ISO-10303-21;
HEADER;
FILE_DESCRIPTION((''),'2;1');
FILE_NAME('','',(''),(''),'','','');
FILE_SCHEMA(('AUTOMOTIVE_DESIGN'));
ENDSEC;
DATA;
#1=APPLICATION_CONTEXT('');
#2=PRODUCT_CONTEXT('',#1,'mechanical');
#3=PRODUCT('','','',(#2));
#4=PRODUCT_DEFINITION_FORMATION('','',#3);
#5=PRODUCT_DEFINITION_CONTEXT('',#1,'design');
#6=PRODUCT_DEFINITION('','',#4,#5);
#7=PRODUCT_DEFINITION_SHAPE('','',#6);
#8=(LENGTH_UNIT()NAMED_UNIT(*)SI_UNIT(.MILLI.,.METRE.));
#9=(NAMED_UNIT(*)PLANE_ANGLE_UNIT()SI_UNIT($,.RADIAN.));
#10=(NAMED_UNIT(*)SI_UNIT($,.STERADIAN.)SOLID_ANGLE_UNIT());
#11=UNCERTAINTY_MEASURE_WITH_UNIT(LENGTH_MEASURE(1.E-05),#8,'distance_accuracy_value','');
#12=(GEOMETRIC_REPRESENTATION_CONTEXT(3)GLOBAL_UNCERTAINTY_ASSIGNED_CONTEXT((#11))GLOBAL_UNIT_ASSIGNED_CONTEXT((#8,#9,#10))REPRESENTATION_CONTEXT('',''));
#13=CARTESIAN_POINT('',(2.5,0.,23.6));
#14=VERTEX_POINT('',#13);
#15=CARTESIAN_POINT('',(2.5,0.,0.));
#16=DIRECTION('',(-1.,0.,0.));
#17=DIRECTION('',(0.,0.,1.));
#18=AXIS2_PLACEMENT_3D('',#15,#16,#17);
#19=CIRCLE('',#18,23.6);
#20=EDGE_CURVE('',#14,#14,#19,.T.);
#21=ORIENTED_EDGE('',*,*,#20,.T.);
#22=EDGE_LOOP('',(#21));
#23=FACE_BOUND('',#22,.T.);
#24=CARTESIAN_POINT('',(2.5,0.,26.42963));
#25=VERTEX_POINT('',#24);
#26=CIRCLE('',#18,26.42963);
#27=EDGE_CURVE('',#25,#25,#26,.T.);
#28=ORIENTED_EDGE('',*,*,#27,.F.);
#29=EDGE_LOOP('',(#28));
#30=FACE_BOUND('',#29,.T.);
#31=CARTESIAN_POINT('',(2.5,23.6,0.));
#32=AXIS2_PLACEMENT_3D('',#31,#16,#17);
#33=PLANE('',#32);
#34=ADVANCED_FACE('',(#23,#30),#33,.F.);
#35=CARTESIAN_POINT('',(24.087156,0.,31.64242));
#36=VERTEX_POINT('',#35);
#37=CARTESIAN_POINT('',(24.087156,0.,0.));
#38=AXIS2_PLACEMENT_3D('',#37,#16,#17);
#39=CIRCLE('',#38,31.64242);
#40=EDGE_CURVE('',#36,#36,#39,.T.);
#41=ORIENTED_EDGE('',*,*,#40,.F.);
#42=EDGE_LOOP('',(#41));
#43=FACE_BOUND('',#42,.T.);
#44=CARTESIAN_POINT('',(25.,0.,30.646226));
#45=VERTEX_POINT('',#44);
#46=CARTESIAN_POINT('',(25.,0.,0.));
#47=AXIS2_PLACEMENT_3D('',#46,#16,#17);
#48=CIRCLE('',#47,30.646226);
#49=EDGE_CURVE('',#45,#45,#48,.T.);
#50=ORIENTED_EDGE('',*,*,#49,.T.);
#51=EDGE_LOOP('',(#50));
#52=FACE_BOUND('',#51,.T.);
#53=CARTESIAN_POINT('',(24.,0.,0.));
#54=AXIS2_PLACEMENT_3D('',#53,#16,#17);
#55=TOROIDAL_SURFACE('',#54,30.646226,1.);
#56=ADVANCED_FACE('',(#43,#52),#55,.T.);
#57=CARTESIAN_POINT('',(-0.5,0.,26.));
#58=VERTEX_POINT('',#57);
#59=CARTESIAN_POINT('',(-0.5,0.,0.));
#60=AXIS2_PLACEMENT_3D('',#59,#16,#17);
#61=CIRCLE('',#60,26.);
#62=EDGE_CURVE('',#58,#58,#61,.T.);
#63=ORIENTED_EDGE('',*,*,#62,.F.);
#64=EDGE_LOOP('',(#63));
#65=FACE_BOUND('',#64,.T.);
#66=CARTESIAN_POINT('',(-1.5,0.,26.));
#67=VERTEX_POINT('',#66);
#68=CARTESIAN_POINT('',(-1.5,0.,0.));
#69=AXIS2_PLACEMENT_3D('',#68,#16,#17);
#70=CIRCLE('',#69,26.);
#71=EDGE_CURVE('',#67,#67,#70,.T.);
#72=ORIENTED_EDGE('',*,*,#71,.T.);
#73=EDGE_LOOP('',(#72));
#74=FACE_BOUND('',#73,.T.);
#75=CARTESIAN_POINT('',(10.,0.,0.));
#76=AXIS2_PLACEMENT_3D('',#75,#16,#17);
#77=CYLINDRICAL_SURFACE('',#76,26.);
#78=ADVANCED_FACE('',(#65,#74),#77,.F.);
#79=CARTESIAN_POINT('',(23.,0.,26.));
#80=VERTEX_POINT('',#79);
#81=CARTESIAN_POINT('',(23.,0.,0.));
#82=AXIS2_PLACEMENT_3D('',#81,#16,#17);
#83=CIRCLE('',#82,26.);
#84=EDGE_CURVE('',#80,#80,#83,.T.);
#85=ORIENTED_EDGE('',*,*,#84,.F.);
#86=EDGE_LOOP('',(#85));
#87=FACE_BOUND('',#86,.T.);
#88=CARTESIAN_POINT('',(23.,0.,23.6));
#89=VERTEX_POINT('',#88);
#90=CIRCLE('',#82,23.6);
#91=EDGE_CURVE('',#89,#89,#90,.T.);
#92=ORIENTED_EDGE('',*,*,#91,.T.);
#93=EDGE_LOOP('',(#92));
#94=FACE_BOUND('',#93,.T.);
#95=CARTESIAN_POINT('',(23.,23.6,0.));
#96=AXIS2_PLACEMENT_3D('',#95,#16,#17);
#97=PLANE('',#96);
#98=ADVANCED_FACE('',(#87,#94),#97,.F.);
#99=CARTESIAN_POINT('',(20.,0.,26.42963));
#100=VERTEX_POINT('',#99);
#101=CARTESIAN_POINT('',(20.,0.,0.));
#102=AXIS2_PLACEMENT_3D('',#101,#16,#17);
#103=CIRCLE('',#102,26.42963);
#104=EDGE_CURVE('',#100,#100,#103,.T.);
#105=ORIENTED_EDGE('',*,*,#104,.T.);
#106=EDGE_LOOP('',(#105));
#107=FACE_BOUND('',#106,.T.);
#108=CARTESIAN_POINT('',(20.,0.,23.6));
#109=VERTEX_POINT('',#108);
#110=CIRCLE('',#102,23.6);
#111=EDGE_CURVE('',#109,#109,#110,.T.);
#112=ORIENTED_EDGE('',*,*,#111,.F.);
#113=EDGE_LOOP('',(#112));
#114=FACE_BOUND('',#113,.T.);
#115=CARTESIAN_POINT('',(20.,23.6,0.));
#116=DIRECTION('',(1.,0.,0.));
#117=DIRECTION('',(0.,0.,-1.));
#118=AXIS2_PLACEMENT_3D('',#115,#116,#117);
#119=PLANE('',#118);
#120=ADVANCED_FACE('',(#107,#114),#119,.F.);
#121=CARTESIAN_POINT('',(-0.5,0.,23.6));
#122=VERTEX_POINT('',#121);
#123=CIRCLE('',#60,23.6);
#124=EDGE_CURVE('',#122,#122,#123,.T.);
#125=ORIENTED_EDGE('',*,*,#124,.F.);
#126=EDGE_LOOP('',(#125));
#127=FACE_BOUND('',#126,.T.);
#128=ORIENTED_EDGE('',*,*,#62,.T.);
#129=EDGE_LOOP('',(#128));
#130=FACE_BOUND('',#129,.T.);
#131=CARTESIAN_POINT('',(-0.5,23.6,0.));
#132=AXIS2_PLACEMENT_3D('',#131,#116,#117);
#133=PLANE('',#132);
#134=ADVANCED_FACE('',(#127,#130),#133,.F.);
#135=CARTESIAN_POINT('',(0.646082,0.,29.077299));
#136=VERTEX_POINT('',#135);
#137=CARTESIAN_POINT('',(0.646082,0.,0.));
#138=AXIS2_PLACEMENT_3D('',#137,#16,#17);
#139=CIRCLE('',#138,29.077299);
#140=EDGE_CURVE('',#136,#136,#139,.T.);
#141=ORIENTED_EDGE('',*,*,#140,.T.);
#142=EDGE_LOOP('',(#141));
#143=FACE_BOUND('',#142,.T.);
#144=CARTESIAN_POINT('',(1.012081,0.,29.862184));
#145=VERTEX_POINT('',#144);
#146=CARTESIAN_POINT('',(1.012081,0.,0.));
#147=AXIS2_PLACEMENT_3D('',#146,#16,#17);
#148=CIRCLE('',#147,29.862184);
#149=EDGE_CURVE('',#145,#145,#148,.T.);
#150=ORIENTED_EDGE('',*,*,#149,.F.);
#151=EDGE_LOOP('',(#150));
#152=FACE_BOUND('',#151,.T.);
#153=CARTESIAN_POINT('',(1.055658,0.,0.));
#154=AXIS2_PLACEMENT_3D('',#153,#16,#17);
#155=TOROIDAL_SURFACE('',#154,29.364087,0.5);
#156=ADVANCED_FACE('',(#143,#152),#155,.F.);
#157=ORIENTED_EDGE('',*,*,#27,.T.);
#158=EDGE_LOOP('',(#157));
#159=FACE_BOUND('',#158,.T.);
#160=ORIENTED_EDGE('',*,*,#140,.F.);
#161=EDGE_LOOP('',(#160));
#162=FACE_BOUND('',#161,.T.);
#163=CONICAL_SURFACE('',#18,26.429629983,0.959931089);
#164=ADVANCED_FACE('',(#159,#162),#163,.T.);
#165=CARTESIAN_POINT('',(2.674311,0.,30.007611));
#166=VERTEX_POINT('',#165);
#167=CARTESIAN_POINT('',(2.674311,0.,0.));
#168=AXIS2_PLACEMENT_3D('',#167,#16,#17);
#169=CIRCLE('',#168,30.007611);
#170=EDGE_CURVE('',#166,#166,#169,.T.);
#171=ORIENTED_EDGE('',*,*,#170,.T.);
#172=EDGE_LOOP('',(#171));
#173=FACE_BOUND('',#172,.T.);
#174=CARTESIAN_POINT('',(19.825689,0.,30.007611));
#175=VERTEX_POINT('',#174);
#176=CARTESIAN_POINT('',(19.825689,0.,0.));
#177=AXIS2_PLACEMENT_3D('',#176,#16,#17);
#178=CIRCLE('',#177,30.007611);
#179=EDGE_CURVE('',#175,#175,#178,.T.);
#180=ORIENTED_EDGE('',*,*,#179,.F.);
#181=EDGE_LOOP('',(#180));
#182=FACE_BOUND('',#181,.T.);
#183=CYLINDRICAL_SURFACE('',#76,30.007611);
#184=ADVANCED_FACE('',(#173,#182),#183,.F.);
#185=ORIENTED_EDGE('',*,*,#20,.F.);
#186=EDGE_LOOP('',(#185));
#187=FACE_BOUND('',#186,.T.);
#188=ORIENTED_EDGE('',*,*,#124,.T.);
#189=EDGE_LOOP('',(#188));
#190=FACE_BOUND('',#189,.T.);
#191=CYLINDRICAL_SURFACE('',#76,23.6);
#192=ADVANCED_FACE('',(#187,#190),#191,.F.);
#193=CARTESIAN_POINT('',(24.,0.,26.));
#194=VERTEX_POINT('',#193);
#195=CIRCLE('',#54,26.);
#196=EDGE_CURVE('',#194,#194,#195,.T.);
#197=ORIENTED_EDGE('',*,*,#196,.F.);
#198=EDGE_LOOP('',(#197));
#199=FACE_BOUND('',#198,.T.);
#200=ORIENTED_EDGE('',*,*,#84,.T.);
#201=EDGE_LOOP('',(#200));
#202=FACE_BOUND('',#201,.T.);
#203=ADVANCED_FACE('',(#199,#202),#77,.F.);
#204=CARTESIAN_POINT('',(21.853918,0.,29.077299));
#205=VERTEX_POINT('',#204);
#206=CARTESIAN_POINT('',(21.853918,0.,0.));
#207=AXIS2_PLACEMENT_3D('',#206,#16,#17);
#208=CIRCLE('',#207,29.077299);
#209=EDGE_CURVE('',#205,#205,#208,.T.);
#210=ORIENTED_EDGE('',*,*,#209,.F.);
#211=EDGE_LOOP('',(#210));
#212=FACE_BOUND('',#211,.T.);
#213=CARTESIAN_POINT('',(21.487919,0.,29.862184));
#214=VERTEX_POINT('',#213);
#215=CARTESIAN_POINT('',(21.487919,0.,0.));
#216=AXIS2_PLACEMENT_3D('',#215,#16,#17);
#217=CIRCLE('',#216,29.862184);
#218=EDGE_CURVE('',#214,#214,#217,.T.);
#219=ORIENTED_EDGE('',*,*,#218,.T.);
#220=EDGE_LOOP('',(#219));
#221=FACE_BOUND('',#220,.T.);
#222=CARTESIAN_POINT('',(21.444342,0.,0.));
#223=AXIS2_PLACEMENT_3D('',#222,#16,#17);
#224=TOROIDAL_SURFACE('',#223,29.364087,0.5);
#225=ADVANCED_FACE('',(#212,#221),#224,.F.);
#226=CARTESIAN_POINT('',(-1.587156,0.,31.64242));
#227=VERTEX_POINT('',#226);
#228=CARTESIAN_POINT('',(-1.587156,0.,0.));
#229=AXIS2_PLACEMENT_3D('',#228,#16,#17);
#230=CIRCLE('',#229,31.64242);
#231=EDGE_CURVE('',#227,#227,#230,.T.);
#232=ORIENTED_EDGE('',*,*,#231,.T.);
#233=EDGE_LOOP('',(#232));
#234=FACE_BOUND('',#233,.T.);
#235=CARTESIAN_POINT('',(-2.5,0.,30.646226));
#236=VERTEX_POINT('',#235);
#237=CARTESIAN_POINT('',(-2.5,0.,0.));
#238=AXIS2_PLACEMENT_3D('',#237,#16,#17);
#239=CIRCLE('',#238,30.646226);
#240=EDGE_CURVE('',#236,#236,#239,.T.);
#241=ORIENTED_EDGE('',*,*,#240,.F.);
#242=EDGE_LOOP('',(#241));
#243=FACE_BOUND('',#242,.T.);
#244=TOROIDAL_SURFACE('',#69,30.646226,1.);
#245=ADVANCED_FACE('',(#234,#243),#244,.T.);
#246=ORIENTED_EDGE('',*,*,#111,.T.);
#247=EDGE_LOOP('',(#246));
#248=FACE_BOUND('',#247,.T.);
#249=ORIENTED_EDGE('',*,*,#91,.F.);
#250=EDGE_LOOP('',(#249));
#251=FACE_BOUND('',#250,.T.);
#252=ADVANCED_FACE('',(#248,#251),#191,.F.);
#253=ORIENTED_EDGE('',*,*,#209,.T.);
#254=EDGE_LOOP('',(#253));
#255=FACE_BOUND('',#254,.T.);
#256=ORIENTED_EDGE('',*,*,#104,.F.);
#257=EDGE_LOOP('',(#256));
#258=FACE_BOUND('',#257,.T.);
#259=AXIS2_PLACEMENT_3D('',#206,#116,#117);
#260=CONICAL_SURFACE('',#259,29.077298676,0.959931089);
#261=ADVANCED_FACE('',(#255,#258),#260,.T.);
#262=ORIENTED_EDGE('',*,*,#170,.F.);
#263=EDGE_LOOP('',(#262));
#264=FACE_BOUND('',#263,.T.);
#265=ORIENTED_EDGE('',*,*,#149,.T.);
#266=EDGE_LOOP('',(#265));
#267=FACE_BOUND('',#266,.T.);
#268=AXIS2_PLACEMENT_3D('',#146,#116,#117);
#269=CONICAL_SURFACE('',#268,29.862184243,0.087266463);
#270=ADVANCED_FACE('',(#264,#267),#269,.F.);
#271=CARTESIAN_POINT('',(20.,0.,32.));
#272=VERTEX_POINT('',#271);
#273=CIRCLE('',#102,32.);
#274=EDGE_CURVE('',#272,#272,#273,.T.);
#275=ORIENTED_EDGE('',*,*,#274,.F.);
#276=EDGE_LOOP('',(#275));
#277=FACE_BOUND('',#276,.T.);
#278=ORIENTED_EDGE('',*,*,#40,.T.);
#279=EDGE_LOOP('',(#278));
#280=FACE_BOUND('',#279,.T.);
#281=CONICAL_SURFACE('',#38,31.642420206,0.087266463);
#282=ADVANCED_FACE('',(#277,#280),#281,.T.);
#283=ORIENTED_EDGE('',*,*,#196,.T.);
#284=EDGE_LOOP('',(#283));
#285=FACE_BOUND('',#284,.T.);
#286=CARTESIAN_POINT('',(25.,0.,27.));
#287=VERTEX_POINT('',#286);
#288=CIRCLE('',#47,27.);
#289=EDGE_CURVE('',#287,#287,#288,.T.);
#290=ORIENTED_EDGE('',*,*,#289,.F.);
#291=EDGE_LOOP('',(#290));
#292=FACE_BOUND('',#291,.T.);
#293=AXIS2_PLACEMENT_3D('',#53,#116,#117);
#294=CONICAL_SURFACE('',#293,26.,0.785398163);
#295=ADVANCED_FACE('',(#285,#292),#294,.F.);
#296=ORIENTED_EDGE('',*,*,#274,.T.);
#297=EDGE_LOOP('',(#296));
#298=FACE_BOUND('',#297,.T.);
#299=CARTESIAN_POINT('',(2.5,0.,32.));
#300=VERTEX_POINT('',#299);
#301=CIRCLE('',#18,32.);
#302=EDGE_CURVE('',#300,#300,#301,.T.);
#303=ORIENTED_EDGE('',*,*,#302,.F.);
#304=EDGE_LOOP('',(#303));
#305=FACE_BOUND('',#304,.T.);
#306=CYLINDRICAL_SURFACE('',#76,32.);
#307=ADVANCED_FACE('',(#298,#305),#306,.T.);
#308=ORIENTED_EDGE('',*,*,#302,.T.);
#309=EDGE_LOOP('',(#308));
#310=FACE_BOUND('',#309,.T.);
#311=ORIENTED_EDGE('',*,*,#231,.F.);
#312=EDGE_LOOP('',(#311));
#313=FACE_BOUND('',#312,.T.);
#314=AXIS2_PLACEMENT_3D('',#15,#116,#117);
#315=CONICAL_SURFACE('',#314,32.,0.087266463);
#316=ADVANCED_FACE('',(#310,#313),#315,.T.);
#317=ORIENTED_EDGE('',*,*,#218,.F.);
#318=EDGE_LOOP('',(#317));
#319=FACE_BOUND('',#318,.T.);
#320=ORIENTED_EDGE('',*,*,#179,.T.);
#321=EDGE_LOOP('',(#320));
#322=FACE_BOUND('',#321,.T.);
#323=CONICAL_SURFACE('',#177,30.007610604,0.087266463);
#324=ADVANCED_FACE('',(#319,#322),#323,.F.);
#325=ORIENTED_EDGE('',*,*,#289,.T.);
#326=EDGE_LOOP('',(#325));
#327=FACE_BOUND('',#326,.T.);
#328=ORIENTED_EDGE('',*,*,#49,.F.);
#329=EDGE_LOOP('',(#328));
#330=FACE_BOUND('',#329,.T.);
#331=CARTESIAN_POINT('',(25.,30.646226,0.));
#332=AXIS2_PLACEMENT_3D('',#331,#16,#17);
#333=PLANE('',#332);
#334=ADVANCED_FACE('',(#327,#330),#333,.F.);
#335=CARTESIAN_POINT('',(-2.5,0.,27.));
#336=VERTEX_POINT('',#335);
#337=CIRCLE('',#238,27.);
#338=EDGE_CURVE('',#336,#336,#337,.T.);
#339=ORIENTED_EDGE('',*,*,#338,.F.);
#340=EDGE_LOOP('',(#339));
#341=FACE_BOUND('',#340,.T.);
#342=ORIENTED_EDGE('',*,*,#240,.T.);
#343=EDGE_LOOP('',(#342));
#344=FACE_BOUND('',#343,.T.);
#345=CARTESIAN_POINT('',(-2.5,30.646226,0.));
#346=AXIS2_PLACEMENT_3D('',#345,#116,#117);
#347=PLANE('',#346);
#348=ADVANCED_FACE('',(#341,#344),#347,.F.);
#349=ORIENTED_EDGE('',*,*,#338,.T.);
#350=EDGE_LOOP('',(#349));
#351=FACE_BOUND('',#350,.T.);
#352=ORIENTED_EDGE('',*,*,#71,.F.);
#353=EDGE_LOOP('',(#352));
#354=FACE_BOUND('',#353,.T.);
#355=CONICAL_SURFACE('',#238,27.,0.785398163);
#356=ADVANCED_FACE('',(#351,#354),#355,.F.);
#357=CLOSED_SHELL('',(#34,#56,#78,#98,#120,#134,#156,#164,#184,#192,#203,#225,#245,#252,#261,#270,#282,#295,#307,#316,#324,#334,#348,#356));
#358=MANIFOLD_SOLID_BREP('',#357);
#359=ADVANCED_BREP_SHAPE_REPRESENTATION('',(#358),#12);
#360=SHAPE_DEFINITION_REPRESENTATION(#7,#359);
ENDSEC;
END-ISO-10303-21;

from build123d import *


with BuildPart() as part:
    # Esquisse1 → Révolution1 (revolve)
    with BuildSketch(Plane.XY):
        with BuildLine():
            Line((-2.5, 30.646225508), (-2.5, 27))
            Line((-2.5, 27), (-1.5, 26))
            Line((-1.5, 26), (-0.5, 26))
            Line((-0.5, 26), (-0.5, 23.6))
            Line((-0.5, 23.6), (2.5, 23.6))
            Line((2.5, 23.6), (2.5, 26.429629983))
            Line((2.5, 26.429629983), (0.646082423, 29.077298676))
            ThreePointArc((0.646082423, 29.077298676), (0.602504551, 29.575396025), (1.012080574, 29.862184243))
            Line((1.012080574, 29.862184243), (2.674311485, 30.007610604))
            Line((2.674311485, 30.007610604), (19.825688515, 30.007610604))
            Line((19.825688515, 30.007610604), (21.487919426, 29.862184243))
            ThreePointArc((21.487919426, 29.862184243), (21.897495449, 29.575396025), (21.853917577, 29.077298676))
            Line((21.853917577, 29.077298676), (20, 26.429629983))
            Line((20, 26.429629983), (20, 23.6))
            Line((20, 23.6), (23, 23.6))
            Line((23, 23.6), (23, 26))
            Line((23, 26), (24, 26))
            Line((24, 26), (25, 27))
            Line((25, 27), (25, 30.646225508))
            ThreePointArc((25, 30.646225508), (24.737277337, 31.321815716), (24.087155743, 31.642420206))
            Line((24.087155743, 31.642420206), (20, 32))
            Line((20, 32), (2.5, 32))
            Line((2.5, 32), (-1.587155743, 31.642420206))
            ThreePointArc((-1.587155743, 31.642420206), (-2.237277337, 31.321815716), (-2.5, 30.646225508))
        make_face()
    revolve(axis=Axis((10, 0, 0), (1, 0, 0)))


solid = part.part
